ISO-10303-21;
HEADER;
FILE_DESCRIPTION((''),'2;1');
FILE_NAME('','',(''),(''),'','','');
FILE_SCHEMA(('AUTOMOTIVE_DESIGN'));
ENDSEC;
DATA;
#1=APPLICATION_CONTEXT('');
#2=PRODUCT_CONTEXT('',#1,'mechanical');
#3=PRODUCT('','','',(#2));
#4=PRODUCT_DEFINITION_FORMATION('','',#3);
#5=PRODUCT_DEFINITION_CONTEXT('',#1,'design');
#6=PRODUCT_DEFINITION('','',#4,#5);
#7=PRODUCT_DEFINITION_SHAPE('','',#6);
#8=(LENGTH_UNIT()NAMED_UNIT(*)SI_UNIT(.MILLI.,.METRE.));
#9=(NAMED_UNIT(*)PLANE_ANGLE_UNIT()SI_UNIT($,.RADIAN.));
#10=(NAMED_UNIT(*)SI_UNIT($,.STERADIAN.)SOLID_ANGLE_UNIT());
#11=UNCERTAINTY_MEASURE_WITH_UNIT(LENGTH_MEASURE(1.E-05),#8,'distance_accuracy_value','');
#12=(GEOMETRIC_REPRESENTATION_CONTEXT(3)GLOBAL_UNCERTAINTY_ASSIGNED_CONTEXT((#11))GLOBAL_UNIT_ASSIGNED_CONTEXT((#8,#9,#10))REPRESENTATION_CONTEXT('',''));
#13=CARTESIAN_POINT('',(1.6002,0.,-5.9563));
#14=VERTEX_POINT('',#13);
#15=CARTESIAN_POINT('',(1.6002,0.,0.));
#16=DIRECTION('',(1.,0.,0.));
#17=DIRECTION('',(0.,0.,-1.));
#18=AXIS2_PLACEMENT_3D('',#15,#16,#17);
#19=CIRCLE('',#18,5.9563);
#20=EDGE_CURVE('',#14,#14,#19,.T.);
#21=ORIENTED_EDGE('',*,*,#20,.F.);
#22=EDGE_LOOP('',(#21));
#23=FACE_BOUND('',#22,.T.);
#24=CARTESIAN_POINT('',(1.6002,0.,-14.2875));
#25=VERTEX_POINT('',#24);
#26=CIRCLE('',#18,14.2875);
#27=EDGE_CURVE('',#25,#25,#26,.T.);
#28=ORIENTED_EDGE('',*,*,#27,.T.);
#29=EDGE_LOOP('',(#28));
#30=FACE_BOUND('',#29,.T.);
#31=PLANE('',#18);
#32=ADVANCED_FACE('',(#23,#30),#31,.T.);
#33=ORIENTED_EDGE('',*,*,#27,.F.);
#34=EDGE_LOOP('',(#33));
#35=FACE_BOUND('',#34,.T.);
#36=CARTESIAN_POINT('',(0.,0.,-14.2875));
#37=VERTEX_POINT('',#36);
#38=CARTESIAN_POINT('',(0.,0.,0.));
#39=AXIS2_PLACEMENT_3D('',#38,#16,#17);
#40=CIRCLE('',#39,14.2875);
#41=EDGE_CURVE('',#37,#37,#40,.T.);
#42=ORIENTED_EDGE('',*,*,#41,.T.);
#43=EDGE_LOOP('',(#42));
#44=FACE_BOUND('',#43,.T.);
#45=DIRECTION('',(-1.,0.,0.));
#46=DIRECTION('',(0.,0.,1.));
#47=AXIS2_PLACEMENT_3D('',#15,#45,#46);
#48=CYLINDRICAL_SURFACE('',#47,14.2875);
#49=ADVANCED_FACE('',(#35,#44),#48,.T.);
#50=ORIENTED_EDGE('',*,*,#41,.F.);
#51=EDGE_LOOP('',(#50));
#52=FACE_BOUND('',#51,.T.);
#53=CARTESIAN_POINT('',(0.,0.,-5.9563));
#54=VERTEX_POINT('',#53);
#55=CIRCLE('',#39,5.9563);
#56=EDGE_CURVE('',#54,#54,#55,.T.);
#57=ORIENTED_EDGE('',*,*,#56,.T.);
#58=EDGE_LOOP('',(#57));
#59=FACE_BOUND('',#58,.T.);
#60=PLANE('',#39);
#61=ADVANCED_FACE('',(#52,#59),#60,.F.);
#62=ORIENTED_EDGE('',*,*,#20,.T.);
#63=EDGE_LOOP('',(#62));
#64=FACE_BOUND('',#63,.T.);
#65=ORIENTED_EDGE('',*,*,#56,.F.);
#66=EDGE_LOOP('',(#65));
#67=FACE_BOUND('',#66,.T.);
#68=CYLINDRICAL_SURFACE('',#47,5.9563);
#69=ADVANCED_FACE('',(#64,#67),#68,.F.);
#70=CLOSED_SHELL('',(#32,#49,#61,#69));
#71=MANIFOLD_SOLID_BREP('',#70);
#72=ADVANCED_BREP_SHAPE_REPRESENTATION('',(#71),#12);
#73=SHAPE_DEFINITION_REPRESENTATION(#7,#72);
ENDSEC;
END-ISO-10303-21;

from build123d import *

# Parameters (mm, degrees)
SKETCH1_R           = 14.2875
SKETCH1_R_2         = 5.9563
BOSS_EXTRUDE1_DEPTH = 1.6002


with BuildPart() as part:
    # Sketch1 → Boss-Extrude1 (new body)
    with BuildSketch(Plane(origin=(0, 0, 0), x_dir=(0, 0, -1), z_dir=(1, 0, 0))):
        Circle(SKETCH1_R)
        Circle(SKETCH1_R_2, mode=Mode.SUBTRACT)
    extrude(amount=BOSS_EXTRUDE1_DEPTH)


solid = part.part
